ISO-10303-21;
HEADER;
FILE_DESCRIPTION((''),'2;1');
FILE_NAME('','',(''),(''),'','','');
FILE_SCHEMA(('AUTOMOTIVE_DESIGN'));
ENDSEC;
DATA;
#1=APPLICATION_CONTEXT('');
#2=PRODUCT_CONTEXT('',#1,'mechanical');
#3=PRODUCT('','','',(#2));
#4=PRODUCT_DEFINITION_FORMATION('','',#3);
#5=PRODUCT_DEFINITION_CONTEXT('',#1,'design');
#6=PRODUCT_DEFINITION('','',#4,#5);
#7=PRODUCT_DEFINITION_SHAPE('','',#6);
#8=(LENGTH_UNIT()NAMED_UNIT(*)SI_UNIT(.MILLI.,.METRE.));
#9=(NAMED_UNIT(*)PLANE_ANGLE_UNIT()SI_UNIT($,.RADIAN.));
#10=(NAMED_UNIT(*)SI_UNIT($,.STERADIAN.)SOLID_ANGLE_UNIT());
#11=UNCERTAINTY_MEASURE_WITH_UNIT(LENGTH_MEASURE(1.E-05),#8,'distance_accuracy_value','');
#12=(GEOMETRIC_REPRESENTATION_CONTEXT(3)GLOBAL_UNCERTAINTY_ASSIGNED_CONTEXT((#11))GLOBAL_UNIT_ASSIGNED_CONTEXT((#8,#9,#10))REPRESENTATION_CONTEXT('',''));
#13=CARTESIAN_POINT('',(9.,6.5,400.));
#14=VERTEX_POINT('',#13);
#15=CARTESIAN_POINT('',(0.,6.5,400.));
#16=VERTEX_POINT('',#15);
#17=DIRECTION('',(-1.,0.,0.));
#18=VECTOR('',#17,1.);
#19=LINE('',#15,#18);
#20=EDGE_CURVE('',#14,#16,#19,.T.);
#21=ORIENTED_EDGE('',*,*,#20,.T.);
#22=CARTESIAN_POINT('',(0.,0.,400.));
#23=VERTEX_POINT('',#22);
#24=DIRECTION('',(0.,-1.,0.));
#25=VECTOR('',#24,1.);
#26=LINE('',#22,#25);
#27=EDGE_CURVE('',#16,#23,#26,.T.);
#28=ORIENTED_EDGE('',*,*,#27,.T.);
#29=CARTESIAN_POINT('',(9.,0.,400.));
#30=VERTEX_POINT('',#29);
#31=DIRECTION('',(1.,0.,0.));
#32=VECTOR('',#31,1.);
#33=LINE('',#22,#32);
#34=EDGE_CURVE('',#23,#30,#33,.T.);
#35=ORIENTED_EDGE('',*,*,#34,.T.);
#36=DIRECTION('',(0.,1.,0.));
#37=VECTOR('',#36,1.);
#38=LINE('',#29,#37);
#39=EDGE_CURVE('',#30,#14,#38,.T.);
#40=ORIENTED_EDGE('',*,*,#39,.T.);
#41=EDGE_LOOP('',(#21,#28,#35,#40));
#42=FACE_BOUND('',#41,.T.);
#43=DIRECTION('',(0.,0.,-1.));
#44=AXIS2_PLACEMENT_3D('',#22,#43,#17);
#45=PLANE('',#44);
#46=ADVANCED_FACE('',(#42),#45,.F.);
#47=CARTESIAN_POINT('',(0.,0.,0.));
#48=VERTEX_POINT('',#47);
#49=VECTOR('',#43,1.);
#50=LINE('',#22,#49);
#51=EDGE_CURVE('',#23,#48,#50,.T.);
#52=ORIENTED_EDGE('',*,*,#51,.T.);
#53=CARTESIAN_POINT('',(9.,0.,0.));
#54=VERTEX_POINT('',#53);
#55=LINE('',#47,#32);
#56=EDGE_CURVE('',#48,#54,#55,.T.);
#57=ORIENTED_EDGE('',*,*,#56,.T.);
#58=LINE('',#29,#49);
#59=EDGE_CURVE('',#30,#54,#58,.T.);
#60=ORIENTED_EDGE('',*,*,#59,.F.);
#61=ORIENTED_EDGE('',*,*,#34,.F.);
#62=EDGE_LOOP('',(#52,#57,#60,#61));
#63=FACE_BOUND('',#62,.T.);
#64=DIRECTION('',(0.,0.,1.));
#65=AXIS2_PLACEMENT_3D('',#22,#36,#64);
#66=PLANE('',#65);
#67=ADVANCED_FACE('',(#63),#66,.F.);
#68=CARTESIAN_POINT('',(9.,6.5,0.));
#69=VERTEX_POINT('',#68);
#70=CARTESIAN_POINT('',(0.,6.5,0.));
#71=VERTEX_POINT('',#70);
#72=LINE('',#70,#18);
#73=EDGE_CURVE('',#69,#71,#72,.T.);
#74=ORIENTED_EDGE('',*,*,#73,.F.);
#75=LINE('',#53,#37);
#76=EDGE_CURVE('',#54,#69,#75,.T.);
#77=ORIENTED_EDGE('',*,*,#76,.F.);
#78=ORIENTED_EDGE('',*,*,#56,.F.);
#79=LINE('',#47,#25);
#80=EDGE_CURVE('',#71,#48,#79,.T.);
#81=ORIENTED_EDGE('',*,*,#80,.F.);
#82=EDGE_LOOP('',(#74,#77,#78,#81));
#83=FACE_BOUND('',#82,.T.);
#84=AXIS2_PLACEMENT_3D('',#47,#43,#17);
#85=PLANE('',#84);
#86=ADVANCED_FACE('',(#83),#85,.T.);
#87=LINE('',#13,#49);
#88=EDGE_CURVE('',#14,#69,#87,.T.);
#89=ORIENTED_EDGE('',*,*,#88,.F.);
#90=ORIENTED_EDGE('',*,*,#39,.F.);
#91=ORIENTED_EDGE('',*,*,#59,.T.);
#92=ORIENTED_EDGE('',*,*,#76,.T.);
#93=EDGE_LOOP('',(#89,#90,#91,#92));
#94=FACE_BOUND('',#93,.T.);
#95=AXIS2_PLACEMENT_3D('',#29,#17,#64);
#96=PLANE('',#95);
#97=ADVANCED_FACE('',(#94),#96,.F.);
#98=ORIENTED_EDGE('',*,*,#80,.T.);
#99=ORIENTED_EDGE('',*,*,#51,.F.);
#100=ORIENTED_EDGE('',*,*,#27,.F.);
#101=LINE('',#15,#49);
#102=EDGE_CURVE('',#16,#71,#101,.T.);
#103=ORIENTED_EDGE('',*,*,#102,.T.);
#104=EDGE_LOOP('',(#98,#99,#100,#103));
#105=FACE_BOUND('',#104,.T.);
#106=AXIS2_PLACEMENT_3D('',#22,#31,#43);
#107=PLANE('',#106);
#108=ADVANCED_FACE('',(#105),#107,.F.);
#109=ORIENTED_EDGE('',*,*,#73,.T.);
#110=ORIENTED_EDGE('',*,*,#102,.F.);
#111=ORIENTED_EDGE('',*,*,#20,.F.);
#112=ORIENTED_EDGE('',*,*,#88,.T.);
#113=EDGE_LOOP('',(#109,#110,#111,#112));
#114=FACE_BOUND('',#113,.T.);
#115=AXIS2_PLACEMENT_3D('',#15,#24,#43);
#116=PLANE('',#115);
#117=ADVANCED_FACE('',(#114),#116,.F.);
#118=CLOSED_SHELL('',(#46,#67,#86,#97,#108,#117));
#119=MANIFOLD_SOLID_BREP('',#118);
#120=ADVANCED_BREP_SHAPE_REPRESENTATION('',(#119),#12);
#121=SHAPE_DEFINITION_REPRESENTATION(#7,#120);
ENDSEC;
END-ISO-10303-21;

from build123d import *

# Parameters (mm, degrees)
SKETCH_1_W      = 9
SKETCH_1_H      = 6.5
EXTRUDE_1_DEPTH = 400


with BuildPart() as part:
    # 草图1 → 凸台-拉伸1 (new body)
    with BuildSketch(Plane.XY):
        with Locations((4.5, 3.25)):
            Rectangle(SKETCH_1_W, SKETCH_1_H)
    extrude(amount=EXTRUDE_1_DEPTH)


solid = part.part
